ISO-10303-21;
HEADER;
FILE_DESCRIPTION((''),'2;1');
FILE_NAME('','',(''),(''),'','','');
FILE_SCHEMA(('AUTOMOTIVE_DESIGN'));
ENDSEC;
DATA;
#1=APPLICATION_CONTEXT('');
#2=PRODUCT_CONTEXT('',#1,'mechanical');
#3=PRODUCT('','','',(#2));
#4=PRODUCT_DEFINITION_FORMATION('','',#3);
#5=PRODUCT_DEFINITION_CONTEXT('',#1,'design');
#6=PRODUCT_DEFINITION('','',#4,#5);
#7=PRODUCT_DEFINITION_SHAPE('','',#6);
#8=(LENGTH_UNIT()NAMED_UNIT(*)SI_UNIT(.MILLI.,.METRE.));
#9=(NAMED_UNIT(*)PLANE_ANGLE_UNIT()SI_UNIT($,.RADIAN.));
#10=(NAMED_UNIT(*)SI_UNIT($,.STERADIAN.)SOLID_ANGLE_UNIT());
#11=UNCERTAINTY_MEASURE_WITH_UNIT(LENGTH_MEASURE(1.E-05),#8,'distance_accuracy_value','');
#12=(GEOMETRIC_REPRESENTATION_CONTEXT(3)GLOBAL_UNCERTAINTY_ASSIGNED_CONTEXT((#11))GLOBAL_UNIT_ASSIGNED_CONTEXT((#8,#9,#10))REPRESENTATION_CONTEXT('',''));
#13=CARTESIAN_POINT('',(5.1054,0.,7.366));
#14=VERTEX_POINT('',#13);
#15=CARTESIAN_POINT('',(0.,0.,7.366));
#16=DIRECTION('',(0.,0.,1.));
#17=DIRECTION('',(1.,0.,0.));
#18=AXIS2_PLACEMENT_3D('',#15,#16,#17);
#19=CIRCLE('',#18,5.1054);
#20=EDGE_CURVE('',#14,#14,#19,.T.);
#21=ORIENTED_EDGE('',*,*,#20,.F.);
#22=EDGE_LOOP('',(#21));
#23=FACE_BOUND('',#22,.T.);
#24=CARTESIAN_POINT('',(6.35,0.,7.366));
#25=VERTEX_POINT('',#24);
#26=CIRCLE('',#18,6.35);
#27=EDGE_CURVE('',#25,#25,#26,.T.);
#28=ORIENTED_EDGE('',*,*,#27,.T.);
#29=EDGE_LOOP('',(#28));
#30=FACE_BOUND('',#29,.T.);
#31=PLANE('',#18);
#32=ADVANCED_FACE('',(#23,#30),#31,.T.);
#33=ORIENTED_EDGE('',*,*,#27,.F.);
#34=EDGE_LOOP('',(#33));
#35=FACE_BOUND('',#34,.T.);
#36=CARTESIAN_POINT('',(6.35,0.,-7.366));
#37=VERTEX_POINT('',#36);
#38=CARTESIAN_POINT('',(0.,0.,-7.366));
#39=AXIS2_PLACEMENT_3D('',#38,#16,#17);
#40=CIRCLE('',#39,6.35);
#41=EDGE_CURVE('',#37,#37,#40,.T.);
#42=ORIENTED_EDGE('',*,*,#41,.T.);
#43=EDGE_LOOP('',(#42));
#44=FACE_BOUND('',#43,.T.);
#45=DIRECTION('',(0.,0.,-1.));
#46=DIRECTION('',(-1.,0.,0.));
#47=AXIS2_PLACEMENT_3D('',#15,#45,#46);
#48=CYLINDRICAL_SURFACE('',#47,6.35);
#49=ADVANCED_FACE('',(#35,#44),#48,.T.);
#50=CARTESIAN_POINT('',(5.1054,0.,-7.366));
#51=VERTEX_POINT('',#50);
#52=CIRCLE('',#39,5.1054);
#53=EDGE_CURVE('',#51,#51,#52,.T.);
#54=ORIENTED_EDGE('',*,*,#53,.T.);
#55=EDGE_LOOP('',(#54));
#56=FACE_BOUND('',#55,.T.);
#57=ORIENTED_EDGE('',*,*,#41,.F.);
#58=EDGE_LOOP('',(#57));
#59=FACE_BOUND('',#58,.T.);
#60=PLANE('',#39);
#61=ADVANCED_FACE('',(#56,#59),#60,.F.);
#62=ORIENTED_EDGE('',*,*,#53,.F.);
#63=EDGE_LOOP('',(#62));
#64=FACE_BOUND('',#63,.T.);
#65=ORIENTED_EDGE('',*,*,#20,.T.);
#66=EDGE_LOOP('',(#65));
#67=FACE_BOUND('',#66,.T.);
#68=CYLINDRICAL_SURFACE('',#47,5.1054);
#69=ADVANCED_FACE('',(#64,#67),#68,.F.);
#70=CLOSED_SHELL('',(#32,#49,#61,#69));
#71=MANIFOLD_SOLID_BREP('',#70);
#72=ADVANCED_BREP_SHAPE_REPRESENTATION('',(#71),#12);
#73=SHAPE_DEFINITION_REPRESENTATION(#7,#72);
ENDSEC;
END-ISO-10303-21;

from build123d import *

# Parameters (mm, degrees)
SKETCH3_R           = 6.35
SKETCH3_R_2         = 5.1054
BOSS_EXTRUDE1_DEPTH = 7.366


with BuildPart() as part:
    # Sketch3 → Boss-Extrude1 (new, symmetric)
    with BuildSketch(Plane.XY):
        Circle(SKETCH3_R)
        Circle(SKETCH3_R_2, mode=Mode.SUBTRACT)
    extrude(amount=BOSS_EXTRUDE1_DEPTH, both=True)


solid = part.part
